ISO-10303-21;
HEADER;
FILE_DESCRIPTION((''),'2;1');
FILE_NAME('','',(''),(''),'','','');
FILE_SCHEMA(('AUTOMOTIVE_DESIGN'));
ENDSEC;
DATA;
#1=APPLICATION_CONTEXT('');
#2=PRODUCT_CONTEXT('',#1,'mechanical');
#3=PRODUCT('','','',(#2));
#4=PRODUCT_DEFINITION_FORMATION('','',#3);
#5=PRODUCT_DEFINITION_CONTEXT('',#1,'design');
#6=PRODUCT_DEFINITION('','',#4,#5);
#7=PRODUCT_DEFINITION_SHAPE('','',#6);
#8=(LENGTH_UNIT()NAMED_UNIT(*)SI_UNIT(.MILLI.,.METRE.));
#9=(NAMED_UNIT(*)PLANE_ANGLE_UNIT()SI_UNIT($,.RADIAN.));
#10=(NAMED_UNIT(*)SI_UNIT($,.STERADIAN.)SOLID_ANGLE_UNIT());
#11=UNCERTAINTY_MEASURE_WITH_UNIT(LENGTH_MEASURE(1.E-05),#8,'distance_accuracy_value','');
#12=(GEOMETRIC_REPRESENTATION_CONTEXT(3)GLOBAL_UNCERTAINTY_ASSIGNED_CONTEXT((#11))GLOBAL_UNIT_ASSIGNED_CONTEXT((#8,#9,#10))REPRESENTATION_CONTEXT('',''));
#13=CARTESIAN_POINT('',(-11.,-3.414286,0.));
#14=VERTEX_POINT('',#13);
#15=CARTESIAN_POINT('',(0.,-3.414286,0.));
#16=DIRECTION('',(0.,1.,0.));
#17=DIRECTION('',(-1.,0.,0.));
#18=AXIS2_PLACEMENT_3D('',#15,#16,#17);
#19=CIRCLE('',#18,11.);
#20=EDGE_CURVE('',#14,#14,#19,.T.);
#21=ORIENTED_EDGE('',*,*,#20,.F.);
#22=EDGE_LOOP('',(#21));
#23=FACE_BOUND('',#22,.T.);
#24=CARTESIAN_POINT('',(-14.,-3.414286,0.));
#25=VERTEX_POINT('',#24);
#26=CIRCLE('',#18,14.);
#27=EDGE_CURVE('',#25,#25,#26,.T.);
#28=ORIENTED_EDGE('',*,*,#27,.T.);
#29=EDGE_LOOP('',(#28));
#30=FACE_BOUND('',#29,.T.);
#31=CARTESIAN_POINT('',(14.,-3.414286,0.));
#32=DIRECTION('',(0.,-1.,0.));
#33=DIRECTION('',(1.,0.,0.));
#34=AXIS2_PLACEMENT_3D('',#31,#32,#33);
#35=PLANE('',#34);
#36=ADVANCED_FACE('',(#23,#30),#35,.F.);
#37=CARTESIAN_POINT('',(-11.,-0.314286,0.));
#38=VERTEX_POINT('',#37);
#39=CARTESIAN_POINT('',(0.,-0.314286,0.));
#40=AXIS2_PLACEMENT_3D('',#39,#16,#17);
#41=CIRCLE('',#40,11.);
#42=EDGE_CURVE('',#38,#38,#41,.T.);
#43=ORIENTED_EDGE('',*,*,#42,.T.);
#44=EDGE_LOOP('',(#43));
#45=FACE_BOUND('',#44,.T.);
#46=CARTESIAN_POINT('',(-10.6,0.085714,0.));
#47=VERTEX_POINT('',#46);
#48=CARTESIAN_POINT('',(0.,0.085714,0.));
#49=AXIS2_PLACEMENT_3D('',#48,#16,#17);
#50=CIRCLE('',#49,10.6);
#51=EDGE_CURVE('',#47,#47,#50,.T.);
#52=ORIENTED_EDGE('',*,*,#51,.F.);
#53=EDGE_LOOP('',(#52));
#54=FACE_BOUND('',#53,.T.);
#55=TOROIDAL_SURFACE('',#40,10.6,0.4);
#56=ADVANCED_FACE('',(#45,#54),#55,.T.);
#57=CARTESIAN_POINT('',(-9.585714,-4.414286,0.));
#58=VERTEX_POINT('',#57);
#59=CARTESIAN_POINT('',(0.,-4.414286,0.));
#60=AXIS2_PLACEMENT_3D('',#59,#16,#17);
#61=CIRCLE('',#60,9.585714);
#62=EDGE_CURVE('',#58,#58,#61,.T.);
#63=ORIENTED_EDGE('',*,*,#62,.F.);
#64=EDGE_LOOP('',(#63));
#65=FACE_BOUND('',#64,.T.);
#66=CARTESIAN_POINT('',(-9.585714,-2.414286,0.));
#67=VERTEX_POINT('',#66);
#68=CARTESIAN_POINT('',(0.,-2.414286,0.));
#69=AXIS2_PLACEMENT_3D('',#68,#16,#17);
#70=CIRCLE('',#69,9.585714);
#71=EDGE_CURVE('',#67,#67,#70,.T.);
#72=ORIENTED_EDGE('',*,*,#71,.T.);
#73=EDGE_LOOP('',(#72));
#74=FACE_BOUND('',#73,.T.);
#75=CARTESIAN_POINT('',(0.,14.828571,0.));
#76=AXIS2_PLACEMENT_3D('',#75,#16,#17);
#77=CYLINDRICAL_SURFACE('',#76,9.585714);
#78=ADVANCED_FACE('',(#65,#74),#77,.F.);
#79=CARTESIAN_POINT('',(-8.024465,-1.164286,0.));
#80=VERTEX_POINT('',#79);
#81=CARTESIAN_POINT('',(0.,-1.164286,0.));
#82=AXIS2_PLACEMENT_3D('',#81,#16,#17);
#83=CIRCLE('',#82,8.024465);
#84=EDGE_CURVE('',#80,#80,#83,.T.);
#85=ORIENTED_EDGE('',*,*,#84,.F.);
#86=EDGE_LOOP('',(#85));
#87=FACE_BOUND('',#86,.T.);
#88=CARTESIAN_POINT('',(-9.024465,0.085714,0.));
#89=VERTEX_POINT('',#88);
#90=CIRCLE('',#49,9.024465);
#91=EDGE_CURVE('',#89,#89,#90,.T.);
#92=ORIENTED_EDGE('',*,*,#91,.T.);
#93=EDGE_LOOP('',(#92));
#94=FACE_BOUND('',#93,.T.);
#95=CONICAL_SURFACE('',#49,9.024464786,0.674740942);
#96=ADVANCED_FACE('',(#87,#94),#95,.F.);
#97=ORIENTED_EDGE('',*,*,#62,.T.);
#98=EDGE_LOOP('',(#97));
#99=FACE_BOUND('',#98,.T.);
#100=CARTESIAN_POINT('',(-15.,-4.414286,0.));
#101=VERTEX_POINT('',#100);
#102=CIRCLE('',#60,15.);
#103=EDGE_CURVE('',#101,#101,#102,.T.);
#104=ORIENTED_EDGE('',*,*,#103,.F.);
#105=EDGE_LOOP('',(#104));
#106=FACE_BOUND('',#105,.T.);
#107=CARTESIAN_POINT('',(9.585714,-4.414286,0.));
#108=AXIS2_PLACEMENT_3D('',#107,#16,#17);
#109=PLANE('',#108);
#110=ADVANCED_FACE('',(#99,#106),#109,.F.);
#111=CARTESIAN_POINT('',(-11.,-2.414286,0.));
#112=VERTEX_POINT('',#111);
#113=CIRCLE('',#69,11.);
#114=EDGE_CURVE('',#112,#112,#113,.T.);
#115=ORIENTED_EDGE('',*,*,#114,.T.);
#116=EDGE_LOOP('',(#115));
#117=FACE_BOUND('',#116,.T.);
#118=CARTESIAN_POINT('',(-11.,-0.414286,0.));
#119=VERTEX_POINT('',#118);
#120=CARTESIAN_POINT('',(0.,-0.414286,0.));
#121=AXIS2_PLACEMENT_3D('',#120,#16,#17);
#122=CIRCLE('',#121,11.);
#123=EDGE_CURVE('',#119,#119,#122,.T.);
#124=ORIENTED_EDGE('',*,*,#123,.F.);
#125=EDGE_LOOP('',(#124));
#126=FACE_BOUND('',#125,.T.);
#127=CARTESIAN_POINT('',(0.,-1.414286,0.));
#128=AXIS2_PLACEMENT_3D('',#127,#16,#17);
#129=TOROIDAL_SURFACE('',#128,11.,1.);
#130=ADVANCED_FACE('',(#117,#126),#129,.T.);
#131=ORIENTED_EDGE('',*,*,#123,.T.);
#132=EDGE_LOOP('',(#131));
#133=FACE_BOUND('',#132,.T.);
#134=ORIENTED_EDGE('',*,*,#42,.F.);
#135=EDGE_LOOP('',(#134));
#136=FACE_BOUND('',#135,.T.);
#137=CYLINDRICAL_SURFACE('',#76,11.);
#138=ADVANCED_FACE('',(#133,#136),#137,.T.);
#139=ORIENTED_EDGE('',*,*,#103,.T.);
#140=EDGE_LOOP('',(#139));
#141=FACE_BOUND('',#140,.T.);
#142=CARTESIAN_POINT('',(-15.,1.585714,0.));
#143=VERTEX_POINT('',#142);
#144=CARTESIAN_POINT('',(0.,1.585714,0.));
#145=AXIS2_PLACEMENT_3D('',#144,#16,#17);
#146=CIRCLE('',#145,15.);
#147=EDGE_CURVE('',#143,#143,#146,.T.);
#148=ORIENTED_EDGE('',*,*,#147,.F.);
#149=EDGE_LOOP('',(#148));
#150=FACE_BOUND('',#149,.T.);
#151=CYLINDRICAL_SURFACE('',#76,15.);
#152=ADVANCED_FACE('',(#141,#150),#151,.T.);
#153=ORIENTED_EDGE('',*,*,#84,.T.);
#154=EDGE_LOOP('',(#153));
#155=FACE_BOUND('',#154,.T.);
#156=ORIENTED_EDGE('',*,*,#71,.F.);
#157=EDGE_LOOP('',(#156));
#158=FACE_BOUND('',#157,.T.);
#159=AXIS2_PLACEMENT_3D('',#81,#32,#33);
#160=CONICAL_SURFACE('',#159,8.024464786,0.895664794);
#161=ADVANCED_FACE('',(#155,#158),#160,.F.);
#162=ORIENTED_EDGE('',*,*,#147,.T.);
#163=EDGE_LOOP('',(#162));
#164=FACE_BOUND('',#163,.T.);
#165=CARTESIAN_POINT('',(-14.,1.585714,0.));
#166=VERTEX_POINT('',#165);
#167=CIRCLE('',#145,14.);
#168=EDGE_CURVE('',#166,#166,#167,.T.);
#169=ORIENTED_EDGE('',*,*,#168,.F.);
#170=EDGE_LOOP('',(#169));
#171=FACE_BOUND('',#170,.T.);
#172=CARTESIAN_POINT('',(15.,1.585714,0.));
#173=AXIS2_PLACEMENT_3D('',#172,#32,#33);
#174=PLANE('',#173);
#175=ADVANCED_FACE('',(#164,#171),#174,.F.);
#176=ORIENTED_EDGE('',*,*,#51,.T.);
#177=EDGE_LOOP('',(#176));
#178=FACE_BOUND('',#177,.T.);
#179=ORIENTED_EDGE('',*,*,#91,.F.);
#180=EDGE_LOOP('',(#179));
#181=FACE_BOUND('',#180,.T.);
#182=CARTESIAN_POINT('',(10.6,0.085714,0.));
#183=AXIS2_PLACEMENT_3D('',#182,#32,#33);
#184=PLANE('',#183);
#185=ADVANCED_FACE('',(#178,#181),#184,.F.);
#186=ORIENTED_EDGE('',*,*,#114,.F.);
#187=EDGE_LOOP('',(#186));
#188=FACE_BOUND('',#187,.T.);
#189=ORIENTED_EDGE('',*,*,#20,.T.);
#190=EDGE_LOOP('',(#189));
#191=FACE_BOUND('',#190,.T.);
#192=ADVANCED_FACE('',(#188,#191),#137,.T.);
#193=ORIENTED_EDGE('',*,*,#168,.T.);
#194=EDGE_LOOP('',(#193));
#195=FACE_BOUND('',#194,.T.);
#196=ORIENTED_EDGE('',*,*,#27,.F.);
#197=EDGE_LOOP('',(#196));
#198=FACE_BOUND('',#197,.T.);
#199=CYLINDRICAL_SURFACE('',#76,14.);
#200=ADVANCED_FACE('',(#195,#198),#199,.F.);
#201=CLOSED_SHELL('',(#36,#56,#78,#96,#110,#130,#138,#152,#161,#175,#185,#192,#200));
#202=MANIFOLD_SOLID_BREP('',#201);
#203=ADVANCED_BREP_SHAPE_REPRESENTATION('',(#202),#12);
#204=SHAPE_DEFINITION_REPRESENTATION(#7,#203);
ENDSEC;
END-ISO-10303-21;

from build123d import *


with BuildPart() as part:
    # Sketch1 → Revolve1 (revolve)
    with BuildSketch(Plane.XY):
        with BuildLine():
            Line((9.585714286, -4.414285714), (15, -4.414285714))
            Line((15, -4.414285714), (15, 1.585714286))
            Line((15, 1.585714286), (14, 1.585714286))
            Line((14, 1.585714286), (14, -3.414285714))
            Line((14, -3.414285714), (11, -3.414285714))
            Line((11, -3.414285714), (11, -2.414285714))
            ThreePointArc((11, -2.414285714), (12, -1.414285714), (11, -0.414285714))
            Line((11, -0.414285714), (11, -0.314285714))
            ThreePointArc((11, -0.314285714), (10.882842712, -0.031443002), (10.6, 0.085714286))
            Line((10.6, 0.085714286), (9.024464786, 0.085714286))
            Line((9.024464786, 0.085714286), (8.024464786, -1.164285714))
            Line((8.024464786, -1.164285714), (9.585714286, -2.414285714))
            Line((9.585714286, -2.414285714), (9.585714286, -4.414285714))
        make_face()
    revolve(axis=Axis((0, 14.828571429, 0), (0, -1, 0)))


solid = part.part
